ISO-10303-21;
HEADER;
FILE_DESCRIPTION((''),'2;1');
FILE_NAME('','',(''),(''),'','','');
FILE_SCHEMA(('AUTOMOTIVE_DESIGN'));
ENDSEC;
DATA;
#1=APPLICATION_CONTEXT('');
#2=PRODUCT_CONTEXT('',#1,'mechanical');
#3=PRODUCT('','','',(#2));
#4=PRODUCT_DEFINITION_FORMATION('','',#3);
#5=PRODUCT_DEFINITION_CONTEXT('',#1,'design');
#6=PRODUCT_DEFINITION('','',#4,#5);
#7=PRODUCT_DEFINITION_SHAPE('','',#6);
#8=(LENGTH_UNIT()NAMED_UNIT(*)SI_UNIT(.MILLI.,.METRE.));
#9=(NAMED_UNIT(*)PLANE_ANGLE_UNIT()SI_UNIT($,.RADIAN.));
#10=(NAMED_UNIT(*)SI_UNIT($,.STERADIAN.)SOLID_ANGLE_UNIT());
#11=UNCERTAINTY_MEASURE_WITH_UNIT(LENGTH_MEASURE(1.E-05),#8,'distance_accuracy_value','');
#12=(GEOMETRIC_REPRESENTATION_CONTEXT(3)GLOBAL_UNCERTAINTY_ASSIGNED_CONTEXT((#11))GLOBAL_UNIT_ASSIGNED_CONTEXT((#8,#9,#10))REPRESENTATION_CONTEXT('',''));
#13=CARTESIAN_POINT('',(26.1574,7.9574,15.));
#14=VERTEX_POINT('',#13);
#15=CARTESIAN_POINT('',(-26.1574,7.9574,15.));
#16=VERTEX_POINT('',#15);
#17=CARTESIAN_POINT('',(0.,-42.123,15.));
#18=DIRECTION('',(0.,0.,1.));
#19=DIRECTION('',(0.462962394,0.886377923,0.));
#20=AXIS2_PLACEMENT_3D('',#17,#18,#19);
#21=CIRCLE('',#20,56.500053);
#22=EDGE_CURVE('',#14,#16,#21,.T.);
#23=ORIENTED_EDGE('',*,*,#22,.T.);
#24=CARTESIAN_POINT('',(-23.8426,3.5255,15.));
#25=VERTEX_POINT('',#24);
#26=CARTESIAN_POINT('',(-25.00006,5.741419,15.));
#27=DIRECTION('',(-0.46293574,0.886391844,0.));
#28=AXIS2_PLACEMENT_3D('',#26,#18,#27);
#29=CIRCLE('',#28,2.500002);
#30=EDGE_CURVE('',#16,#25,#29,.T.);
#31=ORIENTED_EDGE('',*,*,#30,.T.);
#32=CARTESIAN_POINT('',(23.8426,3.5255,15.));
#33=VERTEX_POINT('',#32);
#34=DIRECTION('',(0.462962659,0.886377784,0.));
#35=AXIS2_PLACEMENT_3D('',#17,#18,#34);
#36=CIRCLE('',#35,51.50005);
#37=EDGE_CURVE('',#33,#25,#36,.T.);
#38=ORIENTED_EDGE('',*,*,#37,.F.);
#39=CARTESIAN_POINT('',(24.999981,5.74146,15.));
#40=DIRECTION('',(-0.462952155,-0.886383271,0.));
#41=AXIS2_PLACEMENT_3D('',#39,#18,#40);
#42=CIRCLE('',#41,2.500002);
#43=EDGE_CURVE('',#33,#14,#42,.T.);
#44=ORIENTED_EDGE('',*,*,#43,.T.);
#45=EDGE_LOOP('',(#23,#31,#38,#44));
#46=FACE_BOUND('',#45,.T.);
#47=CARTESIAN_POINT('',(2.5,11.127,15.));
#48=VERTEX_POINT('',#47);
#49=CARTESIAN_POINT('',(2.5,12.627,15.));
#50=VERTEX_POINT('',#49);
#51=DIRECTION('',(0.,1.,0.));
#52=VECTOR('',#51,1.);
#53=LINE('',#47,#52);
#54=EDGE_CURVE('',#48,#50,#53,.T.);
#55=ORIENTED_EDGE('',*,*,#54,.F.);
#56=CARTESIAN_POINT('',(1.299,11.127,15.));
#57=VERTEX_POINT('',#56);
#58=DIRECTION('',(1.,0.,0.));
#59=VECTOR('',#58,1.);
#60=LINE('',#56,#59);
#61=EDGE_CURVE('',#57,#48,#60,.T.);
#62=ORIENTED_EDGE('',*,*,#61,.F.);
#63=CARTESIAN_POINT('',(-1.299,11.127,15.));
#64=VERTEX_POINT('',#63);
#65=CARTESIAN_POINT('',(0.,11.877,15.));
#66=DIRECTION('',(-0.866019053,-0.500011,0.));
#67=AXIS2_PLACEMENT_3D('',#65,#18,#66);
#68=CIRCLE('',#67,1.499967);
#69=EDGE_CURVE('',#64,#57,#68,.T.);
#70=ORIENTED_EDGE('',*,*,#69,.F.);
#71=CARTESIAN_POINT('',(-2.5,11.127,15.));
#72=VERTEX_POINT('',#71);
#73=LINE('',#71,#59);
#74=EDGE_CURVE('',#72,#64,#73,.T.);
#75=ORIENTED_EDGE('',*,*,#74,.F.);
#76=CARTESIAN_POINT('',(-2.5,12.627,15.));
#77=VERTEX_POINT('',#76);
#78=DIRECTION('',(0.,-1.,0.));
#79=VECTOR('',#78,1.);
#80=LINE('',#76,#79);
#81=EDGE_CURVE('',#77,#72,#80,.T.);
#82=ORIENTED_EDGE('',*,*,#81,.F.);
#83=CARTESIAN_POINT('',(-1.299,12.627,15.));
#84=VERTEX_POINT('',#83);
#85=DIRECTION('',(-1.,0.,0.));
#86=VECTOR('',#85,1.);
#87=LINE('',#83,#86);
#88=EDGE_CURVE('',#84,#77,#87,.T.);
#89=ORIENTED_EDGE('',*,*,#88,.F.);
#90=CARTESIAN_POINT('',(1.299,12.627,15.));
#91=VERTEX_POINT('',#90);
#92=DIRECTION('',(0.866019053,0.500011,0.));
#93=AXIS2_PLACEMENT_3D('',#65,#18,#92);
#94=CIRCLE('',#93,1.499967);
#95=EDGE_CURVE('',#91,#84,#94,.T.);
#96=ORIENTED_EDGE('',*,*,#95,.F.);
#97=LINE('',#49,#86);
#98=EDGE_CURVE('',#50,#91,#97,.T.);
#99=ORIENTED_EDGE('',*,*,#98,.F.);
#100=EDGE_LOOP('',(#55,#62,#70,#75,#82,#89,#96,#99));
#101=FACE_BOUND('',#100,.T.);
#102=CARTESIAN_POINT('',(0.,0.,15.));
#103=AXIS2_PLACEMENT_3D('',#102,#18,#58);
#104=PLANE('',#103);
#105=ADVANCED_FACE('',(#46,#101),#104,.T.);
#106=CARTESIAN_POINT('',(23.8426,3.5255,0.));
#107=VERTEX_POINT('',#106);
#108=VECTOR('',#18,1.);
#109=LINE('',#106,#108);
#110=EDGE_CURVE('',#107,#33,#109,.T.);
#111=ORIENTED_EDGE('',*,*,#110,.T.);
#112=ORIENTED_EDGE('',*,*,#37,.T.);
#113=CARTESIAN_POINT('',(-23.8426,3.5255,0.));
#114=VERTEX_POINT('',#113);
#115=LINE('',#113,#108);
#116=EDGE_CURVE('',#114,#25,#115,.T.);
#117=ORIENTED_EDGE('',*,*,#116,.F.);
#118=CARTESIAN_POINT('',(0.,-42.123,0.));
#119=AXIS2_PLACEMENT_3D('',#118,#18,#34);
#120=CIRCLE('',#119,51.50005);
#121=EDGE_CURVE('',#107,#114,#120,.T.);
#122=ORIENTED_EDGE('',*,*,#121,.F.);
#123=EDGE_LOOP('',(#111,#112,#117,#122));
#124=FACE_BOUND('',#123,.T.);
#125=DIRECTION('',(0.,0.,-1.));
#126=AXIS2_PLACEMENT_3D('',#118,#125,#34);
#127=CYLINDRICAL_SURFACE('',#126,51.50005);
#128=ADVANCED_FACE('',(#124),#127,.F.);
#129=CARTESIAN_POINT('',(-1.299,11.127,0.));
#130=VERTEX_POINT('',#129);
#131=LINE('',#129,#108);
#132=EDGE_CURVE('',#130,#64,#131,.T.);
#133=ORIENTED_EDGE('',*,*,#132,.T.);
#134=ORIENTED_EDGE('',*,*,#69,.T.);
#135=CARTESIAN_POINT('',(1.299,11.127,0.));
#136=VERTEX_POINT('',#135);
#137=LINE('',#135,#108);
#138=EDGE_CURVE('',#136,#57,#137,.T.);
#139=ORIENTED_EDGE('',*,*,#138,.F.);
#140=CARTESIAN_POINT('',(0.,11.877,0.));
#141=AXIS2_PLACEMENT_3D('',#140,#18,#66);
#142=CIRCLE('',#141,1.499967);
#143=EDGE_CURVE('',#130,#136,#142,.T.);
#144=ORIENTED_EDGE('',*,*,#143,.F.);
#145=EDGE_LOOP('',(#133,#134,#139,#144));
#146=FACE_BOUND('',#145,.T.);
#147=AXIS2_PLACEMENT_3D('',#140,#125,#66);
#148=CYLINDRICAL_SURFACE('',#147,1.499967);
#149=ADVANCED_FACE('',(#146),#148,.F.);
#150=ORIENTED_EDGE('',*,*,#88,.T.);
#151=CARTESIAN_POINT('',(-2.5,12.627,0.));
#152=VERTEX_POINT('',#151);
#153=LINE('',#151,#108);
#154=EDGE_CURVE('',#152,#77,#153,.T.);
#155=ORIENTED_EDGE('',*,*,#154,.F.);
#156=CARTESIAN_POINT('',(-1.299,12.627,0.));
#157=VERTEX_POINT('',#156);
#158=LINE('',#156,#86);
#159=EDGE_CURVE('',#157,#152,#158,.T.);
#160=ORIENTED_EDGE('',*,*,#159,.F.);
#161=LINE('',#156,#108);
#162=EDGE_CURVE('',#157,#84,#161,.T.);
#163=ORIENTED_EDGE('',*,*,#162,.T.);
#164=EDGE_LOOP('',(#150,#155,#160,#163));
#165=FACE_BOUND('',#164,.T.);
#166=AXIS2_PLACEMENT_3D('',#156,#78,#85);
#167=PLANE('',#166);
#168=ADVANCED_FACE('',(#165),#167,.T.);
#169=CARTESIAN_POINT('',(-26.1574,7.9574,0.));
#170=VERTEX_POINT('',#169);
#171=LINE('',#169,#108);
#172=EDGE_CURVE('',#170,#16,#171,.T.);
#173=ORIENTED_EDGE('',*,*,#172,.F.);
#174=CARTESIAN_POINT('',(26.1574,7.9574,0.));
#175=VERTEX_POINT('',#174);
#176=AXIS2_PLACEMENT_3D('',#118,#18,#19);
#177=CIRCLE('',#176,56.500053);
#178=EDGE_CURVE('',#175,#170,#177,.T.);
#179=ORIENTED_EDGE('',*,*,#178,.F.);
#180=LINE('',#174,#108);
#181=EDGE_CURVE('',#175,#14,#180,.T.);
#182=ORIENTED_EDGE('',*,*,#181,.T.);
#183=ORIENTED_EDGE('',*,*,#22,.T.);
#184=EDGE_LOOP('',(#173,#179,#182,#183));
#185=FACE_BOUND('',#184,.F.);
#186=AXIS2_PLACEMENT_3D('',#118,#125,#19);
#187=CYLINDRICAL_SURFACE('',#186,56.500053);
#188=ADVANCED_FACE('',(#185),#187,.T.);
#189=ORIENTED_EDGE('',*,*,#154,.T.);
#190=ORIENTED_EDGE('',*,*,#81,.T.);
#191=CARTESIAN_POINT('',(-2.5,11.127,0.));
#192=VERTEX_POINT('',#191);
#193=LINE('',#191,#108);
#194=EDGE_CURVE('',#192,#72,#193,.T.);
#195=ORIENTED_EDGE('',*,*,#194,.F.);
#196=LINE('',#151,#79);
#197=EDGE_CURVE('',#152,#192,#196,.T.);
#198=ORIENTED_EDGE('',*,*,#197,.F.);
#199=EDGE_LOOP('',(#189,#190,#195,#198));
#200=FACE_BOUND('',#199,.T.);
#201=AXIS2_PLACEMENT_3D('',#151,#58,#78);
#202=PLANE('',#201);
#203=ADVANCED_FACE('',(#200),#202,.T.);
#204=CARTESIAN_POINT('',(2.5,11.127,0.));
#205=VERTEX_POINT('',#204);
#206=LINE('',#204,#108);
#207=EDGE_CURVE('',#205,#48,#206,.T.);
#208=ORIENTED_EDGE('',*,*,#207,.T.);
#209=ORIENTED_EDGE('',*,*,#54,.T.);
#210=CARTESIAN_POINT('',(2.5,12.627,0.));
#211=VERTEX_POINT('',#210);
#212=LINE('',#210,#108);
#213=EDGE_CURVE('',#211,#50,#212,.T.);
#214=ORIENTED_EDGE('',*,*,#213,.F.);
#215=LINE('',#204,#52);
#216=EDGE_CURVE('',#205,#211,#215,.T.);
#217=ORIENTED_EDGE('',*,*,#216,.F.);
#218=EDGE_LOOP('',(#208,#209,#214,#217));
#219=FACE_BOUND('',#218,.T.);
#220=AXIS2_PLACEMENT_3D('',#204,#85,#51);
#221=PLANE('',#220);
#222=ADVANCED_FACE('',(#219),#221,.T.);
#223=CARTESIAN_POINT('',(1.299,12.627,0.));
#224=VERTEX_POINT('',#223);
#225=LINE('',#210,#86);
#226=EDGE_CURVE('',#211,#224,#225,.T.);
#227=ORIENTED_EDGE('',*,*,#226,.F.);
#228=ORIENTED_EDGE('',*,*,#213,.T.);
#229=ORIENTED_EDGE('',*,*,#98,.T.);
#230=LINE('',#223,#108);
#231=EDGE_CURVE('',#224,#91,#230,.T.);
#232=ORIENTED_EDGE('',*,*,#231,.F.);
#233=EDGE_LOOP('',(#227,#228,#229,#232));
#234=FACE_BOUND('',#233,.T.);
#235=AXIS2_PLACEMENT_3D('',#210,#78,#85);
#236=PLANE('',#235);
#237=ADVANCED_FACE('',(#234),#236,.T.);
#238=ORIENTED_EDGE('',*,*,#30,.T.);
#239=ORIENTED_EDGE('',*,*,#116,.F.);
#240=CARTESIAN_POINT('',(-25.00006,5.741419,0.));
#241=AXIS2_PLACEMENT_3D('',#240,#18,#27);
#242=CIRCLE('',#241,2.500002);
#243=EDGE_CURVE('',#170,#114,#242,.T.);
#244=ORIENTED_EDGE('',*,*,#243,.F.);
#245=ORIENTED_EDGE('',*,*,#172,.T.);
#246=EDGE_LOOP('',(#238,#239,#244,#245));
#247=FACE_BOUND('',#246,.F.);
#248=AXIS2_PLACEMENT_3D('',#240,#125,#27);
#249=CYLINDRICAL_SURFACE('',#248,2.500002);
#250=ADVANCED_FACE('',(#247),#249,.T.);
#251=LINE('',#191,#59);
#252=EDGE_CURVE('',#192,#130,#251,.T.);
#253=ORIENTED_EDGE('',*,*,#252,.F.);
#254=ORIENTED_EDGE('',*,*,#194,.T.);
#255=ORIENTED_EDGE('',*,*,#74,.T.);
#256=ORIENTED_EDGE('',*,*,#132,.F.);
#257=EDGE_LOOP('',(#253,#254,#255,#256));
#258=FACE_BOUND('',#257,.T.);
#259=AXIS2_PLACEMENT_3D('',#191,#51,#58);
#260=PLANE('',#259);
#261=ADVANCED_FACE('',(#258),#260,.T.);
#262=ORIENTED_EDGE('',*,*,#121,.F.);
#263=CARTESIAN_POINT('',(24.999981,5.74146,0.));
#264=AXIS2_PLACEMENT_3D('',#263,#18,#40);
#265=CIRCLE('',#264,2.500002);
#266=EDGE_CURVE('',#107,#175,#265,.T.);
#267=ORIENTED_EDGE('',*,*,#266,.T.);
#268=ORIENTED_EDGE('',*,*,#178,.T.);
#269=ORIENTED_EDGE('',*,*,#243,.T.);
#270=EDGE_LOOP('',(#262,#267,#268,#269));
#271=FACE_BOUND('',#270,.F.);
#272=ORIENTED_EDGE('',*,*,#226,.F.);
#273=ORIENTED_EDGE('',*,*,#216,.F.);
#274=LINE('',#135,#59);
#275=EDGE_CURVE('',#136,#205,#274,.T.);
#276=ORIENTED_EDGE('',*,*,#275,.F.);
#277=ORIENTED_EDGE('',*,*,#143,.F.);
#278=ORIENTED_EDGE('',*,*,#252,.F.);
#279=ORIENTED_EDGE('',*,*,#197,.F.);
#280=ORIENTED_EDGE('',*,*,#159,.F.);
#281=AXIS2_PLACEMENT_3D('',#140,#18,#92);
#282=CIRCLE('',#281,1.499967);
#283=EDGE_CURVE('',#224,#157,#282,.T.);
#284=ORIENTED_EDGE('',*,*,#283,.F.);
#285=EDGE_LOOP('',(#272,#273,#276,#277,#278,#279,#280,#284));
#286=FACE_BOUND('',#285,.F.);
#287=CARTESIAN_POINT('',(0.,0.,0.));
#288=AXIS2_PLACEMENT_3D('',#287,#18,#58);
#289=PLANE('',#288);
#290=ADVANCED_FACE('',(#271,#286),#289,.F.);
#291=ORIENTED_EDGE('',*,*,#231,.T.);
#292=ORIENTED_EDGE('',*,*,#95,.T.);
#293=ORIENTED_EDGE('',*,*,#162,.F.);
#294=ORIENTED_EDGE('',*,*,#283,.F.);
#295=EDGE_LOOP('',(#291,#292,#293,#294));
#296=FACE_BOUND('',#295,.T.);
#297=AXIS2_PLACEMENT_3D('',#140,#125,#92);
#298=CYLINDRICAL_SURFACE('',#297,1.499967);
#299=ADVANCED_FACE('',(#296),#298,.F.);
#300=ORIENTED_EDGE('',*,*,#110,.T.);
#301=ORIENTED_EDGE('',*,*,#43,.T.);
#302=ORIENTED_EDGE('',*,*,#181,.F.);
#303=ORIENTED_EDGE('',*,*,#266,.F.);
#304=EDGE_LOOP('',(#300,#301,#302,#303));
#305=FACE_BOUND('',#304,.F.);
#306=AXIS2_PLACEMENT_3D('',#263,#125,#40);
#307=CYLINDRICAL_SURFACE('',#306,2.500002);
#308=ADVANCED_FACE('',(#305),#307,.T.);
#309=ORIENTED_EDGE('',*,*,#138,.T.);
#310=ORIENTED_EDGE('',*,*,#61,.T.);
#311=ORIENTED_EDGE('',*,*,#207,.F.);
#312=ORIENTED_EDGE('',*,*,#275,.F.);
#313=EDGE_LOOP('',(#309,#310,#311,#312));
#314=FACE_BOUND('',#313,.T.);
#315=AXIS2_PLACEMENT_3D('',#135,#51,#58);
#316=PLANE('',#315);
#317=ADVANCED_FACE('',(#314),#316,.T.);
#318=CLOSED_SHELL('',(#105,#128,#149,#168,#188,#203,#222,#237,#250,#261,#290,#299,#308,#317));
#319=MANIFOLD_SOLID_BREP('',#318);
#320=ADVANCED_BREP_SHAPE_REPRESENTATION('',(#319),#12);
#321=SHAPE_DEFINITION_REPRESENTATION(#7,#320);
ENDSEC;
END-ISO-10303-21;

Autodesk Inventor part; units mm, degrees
ref_plane "YZ Plane" through (0, 0, 0) normal (1, 0, 0) x (0, 1, 0)
ref_plane "XZ Plane" through (0, 0, 0) normal (0, 1, 0) x (-1, 0, 0)
ref_plane "XY Plane" through (0, 0, 0) normal (0, 0, 1) x (1, 0, 0)
sketch "Sketch1" plane through (0, 0, 0) normal (0, 0, 1) x (1, 0, 0)
  arc A0 (25, 5.7414) -> (-25, 5.7414) centre (0, -42.123) ccw construction
  arc A1 (26.1574, 7.9574) -> (-26.1574, 7.9574) centre (0, -42.123) ccw
  arc A2 (23.8426, 3.5255) -> (-23.8426, 3.5255) centre (0, -42.123) ccw
  arc A3 (23.8426, 3.5255) -> (26.1574, 7.9574) centre (25, 5.7414) ccw
  arc A4 (-26.1574, 7.9574) -> (-23.8426, 3.5255) centre (-25, 5.7414) ccw
  line L0 (2.5, 11.127) -> (2.5, 12.627)
  line L1 (-2.5, 12.627) -> (-2.5, 11.127)
  arc A5 (-1.299, 11.127) -> (1.299, 11.127) centre (0, 11.877) ccw
  arc A6 (1.299, 12.627) -> (-1.299, 12.627) centre (0, 11.877) ccw
  line L2 (2.5, 12.627) -> (1.299, 12.627)
  line L3 (-1.299, 12.627) -> (-2.5, 12.627)
  line L4 (-2.5, 11.127) -> (-1.299, 11.127)
  line L5 (1.299, 11.127) -> (2.5, 11.127)
  point P0 (0, 0)
  dimension "d1" = 50
  dimension "d2" = 54
  dimension "d3" = 5
  dimension "d5" = 5
  dimension "d7" = 1.5
  dimension "d9" = 1.5
  dimension "d10" = 51.5
  dimension "d11" = 56.5
extrude "Extrusion1" add sketch "Sketch1" along normal blind 15
